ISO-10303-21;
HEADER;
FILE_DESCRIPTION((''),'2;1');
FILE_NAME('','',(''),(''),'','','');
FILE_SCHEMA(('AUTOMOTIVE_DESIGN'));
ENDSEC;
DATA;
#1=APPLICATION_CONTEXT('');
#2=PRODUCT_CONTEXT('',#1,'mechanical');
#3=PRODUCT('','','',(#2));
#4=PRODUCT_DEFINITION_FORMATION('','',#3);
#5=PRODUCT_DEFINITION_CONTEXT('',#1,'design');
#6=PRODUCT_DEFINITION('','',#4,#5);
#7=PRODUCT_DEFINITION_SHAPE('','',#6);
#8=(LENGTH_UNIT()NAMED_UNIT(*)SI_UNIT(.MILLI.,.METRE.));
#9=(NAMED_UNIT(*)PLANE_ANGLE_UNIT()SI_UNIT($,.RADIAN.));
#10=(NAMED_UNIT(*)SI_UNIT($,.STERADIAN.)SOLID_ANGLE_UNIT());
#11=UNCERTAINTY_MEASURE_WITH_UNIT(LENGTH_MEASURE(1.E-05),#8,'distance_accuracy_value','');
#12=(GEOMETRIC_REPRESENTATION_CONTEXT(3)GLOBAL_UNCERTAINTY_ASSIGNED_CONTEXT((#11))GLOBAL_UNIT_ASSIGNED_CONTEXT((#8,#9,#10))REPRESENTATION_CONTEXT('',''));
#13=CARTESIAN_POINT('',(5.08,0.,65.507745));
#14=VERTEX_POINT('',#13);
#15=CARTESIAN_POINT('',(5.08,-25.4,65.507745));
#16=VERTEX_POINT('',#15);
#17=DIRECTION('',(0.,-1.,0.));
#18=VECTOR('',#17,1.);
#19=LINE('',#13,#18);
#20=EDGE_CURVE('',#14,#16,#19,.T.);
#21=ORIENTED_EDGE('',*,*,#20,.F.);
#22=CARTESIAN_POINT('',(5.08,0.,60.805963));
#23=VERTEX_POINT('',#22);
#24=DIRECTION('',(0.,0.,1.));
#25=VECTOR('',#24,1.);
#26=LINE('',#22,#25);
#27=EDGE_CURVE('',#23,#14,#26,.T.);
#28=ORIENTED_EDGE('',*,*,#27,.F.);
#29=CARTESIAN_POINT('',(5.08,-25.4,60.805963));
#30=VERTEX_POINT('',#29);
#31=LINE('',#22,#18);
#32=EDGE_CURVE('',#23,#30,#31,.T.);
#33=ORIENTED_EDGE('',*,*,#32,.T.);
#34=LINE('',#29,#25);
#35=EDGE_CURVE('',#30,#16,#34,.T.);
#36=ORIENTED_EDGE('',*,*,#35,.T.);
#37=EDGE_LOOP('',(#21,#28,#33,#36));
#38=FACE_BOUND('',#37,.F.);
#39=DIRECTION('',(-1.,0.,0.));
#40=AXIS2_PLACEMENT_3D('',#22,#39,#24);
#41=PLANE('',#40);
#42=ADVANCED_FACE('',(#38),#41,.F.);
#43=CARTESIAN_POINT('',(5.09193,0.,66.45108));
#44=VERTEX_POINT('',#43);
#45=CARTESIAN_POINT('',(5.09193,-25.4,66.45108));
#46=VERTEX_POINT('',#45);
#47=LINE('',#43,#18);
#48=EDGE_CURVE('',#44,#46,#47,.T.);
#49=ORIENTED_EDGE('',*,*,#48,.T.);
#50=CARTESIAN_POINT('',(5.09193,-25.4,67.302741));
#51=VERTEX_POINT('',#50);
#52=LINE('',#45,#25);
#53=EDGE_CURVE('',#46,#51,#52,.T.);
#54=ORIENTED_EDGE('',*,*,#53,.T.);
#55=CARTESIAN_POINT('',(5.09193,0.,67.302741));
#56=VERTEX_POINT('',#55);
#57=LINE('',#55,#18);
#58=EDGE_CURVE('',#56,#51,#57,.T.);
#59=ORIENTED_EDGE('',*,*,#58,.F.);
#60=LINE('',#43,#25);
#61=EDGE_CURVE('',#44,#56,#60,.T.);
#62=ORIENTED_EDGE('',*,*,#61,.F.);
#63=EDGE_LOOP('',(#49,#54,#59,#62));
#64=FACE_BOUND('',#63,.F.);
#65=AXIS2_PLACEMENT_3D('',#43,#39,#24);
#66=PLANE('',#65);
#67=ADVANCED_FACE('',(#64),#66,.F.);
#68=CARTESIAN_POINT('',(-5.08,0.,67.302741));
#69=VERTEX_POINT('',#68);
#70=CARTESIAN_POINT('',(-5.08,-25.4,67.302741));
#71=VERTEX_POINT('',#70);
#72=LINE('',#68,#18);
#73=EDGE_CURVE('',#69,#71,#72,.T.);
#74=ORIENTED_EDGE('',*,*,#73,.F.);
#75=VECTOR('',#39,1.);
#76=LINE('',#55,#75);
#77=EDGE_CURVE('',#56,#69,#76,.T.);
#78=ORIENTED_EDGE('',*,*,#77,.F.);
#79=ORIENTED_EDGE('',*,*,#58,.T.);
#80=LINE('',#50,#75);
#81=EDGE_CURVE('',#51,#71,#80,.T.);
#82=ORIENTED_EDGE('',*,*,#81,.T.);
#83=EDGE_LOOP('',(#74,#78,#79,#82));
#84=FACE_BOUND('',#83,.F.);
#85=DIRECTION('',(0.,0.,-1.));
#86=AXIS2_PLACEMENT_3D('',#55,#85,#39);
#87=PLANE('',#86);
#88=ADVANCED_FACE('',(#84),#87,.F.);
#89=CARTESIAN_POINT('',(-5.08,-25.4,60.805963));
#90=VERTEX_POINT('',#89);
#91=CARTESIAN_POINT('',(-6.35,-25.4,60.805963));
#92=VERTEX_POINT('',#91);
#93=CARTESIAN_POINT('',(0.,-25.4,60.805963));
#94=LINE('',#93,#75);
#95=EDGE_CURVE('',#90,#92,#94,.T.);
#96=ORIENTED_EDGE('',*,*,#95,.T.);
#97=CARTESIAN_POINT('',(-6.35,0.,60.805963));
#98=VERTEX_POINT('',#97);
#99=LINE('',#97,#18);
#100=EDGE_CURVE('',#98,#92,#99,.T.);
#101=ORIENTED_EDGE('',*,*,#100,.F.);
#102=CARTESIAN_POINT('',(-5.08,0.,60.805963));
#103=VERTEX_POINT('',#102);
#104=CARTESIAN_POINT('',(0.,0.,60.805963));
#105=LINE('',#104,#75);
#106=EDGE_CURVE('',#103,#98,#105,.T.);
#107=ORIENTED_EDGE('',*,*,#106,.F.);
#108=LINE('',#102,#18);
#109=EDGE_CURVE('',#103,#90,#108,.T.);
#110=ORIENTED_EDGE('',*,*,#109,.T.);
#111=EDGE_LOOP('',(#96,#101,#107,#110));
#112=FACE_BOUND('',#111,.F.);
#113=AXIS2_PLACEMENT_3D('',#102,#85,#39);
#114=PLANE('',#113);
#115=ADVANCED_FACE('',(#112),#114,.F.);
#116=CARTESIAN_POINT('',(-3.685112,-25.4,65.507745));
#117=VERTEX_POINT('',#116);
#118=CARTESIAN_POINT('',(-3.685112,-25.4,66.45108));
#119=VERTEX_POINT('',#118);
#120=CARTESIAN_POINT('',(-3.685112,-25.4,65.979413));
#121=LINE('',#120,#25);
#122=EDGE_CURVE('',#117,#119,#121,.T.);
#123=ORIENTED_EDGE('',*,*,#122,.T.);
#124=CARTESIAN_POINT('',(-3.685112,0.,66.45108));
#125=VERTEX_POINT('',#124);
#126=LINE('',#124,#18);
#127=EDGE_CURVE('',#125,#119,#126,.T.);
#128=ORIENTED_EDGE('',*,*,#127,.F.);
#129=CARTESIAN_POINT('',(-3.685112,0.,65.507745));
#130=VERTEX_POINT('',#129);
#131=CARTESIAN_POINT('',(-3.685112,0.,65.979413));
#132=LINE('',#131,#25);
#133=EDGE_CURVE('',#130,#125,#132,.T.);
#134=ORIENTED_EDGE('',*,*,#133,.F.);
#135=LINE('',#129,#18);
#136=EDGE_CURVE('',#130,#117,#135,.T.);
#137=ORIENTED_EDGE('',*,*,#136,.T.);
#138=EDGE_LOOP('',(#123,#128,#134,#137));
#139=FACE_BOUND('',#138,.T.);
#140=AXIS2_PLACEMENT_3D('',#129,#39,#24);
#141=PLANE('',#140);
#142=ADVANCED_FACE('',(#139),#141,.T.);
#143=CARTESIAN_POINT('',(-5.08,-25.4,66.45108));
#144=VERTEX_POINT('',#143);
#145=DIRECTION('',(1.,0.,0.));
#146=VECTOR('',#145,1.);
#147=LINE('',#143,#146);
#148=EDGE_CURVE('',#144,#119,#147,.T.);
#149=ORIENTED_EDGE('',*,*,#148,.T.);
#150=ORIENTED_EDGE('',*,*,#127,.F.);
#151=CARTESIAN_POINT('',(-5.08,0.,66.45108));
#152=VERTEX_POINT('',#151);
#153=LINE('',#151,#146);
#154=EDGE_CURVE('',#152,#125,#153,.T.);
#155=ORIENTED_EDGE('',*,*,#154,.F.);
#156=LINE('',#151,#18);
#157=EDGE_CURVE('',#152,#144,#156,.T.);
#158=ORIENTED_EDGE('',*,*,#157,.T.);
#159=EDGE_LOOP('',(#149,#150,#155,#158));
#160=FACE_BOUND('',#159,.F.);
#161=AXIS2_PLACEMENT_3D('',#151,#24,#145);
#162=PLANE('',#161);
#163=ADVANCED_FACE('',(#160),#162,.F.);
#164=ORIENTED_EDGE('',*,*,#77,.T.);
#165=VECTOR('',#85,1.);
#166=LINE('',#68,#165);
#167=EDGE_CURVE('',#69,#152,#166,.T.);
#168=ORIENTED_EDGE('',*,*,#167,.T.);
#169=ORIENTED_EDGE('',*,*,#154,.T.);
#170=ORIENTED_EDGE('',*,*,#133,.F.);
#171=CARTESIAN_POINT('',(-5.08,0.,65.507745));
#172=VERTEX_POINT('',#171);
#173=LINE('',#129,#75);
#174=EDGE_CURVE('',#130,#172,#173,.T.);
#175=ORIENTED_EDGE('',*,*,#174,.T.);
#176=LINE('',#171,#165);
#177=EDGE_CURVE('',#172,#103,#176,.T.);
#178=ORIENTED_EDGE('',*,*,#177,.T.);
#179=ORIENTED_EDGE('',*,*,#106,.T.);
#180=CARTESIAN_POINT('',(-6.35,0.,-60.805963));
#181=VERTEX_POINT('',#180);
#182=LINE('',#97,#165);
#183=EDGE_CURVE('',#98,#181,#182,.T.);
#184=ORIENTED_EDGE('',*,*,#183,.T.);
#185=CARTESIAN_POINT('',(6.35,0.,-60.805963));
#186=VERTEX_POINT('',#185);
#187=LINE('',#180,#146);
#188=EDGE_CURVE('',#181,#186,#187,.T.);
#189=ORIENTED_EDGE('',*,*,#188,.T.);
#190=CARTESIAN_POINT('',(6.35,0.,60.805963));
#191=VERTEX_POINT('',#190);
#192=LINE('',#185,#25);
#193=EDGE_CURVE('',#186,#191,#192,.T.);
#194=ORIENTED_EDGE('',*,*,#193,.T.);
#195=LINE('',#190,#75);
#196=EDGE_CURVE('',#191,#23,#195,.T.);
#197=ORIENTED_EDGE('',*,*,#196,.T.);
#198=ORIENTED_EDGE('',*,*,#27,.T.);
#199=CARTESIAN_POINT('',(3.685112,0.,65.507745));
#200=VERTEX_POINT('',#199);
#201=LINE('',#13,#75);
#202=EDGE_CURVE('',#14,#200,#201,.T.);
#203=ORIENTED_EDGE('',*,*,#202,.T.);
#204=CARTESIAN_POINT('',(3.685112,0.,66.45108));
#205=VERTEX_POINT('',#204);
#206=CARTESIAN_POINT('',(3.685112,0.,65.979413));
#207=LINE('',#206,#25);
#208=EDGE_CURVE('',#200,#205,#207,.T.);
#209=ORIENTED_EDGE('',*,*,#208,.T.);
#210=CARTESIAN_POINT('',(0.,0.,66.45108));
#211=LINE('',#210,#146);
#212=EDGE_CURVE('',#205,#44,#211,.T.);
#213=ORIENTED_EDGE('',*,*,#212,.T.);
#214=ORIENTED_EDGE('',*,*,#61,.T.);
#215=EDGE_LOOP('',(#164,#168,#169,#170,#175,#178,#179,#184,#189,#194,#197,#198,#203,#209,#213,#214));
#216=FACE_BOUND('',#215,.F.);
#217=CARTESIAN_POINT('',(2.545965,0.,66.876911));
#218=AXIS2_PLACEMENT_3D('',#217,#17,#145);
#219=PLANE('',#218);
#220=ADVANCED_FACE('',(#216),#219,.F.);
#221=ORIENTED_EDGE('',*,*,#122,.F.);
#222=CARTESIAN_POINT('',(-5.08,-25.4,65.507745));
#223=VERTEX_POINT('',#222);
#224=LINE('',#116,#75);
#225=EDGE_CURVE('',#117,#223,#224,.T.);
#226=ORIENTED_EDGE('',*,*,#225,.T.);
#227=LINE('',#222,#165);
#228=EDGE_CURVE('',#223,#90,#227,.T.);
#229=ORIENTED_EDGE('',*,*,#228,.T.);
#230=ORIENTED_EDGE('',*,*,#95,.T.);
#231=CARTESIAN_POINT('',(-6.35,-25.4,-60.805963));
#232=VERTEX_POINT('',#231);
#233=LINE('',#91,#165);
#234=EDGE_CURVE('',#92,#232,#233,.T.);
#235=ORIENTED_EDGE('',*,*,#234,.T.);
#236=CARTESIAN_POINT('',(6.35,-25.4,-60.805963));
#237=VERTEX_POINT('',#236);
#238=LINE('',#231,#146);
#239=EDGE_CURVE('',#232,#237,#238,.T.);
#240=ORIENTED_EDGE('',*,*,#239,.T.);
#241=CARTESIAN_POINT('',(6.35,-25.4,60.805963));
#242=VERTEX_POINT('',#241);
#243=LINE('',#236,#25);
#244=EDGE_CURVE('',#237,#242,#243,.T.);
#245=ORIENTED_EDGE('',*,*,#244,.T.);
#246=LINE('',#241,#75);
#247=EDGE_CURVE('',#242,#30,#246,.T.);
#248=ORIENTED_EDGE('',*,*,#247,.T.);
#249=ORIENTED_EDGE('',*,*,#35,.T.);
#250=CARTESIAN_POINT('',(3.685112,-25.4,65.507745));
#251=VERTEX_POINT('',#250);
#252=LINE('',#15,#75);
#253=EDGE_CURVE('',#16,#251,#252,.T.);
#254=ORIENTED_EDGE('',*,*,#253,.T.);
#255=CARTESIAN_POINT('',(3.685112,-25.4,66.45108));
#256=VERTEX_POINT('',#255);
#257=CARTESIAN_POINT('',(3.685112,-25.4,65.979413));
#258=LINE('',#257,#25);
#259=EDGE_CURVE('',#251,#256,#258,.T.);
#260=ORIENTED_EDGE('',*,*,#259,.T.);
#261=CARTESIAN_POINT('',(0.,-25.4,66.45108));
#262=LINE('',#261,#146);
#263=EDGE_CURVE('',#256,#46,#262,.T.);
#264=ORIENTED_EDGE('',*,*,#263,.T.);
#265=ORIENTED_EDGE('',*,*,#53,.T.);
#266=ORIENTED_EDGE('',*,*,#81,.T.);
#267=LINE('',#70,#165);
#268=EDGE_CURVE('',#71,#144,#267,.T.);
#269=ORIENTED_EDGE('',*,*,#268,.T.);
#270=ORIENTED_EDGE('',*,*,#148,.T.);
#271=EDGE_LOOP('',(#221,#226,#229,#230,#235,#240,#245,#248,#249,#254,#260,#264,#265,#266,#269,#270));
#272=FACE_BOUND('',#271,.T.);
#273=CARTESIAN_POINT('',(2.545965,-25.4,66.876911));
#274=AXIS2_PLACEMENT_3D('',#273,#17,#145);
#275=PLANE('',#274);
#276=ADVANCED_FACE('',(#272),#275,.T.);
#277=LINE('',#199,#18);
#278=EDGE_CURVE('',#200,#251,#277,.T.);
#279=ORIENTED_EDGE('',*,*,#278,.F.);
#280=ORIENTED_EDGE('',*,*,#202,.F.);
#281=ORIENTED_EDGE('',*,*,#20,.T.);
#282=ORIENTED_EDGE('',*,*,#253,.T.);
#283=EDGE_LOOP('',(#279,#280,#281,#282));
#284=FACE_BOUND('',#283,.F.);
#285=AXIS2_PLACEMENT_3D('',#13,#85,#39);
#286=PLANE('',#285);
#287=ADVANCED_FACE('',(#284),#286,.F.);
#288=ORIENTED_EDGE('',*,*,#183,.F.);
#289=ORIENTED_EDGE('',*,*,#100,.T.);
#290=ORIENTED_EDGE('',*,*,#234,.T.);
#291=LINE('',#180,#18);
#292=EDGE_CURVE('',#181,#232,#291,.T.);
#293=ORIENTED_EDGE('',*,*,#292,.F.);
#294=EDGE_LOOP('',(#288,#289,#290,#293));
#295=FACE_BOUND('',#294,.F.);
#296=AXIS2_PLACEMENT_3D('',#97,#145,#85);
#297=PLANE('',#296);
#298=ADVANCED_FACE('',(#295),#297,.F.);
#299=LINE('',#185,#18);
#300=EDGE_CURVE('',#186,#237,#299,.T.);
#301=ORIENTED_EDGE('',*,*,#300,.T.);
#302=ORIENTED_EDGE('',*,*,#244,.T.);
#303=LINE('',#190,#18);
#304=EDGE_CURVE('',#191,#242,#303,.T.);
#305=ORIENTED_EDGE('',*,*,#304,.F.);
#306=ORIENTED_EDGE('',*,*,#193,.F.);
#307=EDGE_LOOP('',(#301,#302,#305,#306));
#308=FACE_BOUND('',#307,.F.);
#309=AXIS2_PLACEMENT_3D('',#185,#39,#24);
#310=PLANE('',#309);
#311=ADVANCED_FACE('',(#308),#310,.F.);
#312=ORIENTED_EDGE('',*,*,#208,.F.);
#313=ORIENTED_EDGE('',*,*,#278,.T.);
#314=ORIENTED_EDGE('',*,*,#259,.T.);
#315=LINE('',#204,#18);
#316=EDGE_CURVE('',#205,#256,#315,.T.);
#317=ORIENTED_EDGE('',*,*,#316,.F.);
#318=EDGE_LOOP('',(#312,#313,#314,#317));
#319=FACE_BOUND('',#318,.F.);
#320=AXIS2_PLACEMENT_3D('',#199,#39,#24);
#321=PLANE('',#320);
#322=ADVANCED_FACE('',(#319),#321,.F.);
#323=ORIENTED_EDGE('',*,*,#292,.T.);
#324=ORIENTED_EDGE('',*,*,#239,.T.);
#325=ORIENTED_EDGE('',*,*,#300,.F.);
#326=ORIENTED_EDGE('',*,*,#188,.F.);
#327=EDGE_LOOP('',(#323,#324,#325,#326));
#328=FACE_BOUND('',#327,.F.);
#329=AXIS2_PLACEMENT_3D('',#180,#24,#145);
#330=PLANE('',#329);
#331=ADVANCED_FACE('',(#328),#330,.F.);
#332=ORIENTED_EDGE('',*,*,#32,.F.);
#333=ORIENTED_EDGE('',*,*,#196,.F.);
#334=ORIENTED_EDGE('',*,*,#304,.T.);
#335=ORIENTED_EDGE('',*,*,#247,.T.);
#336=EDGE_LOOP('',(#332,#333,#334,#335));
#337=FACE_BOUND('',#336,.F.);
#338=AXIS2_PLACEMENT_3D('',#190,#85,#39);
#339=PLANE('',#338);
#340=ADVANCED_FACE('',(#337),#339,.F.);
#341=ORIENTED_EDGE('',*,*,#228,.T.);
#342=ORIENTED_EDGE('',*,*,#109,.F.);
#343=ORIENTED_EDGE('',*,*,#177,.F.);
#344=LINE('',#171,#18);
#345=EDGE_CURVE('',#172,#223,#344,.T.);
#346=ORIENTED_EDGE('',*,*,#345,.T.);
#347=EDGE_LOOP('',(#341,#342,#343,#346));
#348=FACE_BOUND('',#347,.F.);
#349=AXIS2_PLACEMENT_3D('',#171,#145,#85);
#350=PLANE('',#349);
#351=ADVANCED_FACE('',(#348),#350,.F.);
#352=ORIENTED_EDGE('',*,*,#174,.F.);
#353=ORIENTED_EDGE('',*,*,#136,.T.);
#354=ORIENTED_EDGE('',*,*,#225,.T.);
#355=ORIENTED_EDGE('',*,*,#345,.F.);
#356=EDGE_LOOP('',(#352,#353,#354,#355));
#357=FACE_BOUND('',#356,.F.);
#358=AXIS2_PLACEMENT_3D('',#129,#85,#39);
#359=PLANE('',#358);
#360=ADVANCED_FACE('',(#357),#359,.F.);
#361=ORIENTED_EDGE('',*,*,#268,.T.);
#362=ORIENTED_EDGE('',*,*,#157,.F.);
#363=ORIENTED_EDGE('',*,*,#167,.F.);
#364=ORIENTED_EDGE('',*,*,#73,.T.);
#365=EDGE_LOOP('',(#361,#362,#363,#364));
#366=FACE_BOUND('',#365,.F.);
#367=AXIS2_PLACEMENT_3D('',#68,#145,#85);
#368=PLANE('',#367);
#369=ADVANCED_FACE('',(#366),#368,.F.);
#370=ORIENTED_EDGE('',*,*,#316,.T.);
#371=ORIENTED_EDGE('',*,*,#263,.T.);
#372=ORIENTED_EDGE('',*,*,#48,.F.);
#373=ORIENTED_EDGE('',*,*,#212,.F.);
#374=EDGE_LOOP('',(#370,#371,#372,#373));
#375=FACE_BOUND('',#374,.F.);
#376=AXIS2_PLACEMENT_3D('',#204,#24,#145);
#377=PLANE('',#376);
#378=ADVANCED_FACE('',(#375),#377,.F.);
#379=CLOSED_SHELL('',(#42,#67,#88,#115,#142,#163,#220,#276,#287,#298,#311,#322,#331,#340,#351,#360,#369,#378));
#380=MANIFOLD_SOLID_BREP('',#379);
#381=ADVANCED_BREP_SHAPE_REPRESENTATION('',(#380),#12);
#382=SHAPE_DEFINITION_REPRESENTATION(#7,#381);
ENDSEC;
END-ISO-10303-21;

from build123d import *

# Parameters (mm, degrees)
F0_W     = 3.6851118784
F0_H     = 0.9433352731
F1_DEPTH = 25.4


with BuildPart() as f1:
    # F0 (on Front) → F1 (new body)
    with BuildSketch(Plane.XZ):
        Polygon((0, 67.3027411103), (0, 66.4510801435), (3.6851118784, 66.4510801435), (5.0919302739, 66.4510801435), (5.0919302739, 67.3027411103), align=None)
        with Locations((-1.8425559392, 65.9794125069)):
            Rectangle(F0_W, F0_H)
        Polygon((5.08, 60.8059626286), (0, 60.8059626286), (0, -60.8059626286), (6.35, -60.8059626286), (6.35, 60.8059626286), align=None)
        Polygon((0, 65.5077448704), (0, 60.8059626286), (5.08, 60.8059626286), (5.08, 65.5077448704), (3.6851118784, 65.5077448704), align=None)
        with Locations((1.8425559392, 65.9794125069)):
            Rectangle(F0_W, F0_H)
        Polygon((-5.08, 60.8059626286), (-6.35, 60.8059626286), (-6.35, -60.8059626286), (0, -60.8059626286), (0, 60.8059626286), align=None)
        Polygon((-5.08, 65.5077448704), (-5.08, 60.8059626286), (0, 60.8059626286), (0, 65.5077448704), (-3.6851118784, 65.5077448704), align=None)
        Polygon((-3.6851118784, 66.4510801435), (0, 66.4510801435), (0, 67.3027411103), (-5.08, 67.3027411103), (-5.08, 66.4510801435), align=None)
    extrude(amount=F1_DEPTH)


solid = f1.part
